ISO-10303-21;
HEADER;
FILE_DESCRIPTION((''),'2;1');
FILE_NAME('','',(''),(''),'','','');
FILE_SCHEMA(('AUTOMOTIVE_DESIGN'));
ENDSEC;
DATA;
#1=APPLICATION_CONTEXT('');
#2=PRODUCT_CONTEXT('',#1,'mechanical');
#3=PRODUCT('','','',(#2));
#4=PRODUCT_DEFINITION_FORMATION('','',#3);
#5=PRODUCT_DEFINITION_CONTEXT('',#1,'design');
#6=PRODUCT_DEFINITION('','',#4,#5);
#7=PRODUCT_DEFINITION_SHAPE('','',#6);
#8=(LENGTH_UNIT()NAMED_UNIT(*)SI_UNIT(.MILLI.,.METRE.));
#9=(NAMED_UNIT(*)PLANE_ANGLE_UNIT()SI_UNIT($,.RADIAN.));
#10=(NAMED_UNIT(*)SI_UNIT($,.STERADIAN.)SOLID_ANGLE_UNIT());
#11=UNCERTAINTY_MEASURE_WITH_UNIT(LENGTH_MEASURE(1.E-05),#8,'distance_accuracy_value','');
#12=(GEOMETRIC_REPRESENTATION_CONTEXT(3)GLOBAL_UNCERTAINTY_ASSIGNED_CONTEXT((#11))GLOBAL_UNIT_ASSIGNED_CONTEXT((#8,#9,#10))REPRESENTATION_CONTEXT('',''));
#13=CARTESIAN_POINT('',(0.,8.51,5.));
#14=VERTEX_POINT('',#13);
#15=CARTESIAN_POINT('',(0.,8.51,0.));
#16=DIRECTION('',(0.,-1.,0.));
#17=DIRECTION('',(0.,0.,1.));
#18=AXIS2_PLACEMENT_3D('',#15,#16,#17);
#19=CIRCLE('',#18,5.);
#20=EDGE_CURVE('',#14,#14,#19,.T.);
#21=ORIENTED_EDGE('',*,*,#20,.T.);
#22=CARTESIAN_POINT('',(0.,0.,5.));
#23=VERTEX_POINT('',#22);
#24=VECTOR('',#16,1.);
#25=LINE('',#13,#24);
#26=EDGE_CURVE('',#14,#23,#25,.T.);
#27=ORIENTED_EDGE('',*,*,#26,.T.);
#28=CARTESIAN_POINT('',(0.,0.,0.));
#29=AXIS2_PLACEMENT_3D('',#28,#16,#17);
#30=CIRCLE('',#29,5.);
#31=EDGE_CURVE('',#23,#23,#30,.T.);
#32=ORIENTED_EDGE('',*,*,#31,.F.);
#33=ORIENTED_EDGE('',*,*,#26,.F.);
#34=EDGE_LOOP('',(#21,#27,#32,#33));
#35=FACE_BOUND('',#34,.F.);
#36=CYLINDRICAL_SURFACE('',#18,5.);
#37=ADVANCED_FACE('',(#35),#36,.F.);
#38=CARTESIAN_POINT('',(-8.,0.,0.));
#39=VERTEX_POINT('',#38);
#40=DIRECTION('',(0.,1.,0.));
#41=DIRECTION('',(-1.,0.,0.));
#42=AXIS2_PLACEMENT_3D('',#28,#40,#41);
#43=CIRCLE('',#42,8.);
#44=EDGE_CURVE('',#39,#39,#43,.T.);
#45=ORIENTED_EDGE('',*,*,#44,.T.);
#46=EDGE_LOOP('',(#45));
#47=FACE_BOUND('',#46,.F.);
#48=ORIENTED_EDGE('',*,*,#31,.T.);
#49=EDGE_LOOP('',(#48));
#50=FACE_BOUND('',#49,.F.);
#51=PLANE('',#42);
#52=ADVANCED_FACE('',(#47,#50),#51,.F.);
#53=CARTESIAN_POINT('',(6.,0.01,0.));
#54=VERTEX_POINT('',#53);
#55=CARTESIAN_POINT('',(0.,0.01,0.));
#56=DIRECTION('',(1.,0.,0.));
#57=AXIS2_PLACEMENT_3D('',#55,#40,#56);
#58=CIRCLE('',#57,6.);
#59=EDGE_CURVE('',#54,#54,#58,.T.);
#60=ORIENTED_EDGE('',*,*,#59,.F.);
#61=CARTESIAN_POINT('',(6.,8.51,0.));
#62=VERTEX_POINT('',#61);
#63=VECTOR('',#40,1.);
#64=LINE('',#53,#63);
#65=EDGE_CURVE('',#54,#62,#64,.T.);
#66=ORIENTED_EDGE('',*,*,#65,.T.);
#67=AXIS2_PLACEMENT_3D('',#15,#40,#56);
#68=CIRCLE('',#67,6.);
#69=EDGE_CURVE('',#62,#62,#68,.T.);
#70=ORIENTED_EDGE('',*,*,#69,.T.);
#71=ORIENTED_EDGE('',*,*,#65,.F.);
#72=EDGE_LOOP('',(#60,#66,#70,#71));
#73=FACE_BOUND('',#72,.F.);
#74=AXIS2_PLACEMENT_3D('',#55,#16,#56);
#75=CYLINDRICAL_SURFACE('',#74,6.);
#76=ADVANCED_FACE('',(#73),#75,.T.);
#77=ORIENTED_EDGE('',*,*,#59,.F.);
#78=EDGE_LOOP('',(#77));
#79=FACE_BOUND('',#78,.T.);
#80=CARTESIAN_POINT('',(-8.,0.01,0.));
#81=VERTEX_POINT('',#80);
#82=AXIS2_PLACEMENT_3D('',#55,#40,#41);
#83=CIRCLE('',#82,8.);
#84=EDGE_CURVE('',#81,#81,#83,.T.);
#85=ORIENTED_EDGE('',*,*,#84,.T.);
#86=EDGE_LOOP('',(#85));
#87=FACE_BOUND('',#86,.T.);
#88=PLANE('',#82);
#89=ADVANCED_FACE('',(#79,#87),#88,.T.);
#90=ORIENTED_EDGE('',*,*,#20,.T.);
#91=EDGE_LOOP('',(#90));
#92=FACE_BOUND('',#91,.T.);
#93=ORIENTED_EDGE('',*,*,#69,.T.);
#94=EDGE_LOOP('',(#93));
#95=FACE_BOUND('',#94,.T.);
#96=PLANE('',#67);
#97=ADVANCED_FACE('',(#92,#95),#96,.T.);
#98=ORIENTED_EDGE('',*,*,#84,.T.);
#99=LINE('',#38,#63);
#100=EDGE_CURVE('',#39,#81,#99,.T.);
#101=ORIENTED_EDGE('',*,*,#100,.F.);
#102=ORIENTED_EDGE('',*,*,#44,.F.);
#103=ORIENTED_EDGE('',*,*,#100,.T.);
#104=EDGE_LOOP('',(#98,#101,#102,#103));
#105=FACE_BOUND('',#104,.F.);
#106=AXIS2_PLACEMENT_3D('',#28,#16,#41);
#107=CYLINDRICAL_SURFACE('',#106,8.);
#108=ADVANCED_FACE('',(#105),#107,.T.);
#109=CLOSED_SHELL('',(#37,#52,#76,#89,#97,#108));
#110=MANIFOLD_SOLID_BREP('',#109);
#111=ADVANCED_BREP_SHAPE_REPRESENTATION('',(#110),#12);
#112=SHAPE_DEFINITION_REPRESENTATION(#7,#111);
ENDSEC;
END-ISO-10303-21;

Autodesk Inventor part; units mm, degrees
ref_plane "YZ Plane" through (0, 0, 0) normal (1, 0, 0) x (0, 1, 0)
ref_plane "XZ Plane" through (0, 0, 0) normal (0, 1, 0) x (-1, 0, 0)
ref_plane "XY Plane" through (0, 0, 0) normal (0, 0, 1) x (1, 0, 0)
sketch "Sketch1" plane through (0, 0, 0) normal (0, 1, 0) x (-1, 0, 0)
  circle A0 centre (0, 0) radius 8
  dimension "d0" = 16
extrude "Extrusion1" add sketch "Sketch1" along normal blind 0.01
sketch "Sketch2" plane through (0, 0.01, 0) normal (0, 1, 0) x (1, 0, 0)
  circle A0 centre (0, 0) radius 6
  dimension "d3" = 12
extrude "Extrusion2" add sketch "Sketch2" along normal blind 8.5
sketch "Sketch3" plane through (0, 8.51, 0) normal (0, 1, 0) x (1, 0, 0)
  circle A0 centre (0, 0) radius 6 projected
  line L0 (0, -6) -> (0, 6)
  line L1 (-6, 0) -> (6, 0)
hole "Hole1" at (0, 8.51, 0) direction (0, -1, 0) diameter 10 end through all
properties part number "Drukhulse ff"
